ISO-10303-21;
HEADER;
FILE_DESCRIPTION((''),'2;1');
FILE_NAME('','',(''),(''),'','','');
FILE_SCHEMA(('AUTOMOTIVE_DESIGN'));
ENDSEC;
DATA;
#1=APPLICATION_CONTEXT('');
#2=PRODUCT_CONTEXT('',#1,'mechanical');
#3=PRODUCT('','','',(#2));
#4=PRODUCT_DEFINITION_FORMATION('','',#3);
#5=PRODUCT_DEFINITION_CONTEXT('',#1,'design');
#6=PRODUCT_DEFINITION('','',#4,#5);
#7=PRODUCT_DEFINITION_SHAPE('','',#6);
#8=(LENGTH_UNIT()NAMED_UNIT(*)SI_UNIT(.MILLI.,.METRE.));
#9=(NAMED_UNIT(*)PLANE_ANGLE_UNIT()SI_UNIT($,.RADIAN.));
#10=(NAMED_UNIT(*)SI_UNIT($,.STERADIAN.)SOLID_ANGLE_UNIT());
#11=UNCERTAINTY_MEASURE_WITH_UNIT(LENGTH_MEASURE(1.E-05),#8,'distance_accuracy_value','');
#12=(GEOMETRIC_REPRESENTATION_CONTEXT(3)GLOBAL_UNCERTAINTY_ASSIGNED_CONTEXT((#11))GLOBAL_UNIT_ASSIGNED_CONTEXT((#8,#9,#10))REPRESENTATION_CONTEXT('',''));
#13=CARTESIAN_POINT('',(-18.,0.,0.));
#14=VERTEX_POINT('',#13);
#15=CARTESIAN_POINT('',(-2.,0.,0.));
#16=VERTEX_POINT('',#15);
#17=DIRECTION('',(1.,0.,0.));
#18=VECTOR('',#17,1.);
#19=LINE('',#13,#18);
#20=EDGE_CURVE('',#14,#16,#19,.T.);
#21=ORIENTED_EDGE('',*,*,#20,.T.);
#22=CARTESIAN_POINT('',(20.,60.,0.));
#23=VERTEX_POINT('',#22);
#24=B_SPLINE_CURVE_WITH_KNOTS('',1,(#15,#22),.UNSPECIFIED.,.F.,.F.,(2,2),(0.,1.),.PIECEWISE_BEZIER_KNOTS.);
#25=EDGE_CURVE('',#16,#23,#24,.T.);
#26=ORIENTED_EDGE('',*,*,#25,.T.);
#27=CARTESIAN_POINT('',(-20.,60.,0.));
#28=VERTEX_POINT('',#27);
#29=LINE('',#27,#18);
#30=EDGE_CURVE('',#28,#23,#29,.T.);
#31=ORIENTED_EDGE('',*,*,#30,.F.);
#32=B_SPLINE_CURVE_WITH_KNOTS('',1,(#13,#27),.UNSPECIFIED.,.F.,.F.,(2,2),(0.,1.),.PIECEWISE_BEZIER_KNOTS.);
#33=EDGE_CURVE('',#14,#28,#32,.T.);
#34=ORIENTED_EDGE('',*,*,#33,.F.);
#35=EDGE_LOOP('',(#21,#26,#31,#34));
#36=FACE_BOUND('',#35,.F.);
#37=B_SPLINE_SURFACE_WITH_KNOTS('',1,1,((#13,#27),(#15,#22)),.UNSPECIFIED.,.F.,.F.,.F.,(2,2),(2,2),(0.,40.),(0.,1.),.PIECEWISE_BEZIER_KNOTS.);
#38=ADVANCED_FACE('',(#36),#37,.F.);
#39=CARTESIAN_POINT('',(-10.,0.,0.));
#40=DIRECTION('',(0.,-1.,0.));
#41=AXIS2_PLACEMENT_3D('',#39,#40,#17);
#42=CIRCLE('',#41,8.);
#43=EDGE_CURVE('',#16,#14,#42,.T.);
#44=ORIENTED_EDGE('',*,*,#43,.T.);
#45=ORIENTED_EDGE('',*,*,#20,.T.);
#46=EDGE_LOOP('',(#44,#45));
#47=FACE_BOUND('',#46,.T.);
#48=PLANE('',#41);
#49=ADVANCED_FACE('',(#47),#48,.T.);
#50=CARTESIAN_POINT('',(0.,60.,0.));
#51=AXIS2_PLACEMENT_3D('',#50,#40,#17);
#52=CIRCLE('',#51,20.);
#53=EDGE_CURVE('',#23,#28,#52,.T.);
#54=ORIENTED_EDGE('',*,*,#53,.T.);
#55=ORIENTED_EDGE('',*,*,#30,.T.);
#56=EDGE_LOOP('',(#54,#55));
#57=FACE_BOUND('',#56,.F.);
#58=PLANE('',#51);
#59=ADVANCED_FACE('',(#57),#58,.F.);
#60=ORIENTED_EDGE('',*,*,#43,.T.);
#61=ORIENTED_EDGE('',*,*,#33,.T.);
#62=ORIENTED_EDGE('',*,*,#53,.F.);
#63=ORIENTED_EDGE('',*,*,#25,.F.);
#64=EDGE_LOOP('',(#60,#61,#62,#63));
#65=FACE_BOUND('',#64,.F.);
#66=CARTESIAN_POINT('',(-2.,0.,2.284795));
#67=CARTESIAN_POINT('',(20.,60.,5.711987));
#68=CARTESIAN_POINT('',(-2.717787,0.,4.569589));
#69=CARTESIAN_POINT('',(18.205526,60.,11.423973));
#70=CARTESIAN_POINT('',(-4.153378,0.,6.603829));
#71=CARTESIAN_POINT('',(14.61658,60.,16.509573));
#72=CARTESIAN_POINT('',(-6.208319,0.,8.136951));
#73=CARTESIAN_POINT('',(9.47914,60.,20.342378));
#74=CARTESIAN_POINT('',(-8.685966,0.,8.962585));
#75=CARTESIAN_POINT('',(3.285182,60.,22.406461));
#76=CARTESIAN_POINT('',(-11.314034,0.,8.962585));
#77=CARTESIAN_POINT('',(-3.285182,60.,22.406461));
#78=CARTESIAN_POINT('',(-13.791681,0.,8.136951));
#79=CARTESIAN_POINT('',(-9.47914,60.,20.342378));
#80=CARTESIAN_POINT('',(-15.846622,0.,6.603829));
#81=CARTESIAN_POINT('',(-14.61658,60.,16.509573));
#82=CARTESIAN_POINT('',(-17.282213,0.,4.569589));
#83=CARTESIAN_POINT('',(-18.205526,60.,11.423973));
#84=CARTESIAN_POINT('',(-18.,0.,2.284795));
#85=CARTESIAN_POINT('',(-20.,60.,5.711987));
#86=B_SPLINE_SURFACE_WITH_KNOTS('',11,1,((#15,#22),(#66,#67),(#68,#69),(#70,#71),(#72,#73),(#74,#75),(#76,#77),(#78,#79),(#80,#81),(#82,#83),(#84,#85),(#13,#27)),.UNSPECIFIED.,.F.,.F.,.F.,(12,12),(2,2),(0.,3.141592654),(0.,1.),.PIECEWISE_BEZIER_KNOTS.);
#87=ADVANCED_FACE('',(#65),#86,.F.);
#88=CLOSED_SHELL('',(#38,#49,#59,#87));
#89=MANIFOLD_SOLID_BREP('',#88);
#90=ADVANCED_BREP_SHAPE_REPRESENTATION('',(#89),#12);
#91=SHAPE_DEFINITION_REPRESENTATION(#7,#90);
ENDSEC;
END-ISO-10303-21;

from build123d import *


with BuildPart() as f3:
    # F0 (on Front) → F3 section 0
    with BuildSketch(Plane.XZ):
        with BuildLine():
            Line((-18, 0), (-2, 0))
            ThreePointArc((-2, 0), (-10, 8), (-18, 0))
        make_face()
    # F2 (on offset) → F3 section 1
    with BuildSketch(Plane.XZ.offset(-60)):
        with BuildLine():
            Line((-20, 0), (20, 0))
            ThreePointArc((20, 0), (0, 20), (-20, 0))
        make_face()
    loft()


solid = f3.part
